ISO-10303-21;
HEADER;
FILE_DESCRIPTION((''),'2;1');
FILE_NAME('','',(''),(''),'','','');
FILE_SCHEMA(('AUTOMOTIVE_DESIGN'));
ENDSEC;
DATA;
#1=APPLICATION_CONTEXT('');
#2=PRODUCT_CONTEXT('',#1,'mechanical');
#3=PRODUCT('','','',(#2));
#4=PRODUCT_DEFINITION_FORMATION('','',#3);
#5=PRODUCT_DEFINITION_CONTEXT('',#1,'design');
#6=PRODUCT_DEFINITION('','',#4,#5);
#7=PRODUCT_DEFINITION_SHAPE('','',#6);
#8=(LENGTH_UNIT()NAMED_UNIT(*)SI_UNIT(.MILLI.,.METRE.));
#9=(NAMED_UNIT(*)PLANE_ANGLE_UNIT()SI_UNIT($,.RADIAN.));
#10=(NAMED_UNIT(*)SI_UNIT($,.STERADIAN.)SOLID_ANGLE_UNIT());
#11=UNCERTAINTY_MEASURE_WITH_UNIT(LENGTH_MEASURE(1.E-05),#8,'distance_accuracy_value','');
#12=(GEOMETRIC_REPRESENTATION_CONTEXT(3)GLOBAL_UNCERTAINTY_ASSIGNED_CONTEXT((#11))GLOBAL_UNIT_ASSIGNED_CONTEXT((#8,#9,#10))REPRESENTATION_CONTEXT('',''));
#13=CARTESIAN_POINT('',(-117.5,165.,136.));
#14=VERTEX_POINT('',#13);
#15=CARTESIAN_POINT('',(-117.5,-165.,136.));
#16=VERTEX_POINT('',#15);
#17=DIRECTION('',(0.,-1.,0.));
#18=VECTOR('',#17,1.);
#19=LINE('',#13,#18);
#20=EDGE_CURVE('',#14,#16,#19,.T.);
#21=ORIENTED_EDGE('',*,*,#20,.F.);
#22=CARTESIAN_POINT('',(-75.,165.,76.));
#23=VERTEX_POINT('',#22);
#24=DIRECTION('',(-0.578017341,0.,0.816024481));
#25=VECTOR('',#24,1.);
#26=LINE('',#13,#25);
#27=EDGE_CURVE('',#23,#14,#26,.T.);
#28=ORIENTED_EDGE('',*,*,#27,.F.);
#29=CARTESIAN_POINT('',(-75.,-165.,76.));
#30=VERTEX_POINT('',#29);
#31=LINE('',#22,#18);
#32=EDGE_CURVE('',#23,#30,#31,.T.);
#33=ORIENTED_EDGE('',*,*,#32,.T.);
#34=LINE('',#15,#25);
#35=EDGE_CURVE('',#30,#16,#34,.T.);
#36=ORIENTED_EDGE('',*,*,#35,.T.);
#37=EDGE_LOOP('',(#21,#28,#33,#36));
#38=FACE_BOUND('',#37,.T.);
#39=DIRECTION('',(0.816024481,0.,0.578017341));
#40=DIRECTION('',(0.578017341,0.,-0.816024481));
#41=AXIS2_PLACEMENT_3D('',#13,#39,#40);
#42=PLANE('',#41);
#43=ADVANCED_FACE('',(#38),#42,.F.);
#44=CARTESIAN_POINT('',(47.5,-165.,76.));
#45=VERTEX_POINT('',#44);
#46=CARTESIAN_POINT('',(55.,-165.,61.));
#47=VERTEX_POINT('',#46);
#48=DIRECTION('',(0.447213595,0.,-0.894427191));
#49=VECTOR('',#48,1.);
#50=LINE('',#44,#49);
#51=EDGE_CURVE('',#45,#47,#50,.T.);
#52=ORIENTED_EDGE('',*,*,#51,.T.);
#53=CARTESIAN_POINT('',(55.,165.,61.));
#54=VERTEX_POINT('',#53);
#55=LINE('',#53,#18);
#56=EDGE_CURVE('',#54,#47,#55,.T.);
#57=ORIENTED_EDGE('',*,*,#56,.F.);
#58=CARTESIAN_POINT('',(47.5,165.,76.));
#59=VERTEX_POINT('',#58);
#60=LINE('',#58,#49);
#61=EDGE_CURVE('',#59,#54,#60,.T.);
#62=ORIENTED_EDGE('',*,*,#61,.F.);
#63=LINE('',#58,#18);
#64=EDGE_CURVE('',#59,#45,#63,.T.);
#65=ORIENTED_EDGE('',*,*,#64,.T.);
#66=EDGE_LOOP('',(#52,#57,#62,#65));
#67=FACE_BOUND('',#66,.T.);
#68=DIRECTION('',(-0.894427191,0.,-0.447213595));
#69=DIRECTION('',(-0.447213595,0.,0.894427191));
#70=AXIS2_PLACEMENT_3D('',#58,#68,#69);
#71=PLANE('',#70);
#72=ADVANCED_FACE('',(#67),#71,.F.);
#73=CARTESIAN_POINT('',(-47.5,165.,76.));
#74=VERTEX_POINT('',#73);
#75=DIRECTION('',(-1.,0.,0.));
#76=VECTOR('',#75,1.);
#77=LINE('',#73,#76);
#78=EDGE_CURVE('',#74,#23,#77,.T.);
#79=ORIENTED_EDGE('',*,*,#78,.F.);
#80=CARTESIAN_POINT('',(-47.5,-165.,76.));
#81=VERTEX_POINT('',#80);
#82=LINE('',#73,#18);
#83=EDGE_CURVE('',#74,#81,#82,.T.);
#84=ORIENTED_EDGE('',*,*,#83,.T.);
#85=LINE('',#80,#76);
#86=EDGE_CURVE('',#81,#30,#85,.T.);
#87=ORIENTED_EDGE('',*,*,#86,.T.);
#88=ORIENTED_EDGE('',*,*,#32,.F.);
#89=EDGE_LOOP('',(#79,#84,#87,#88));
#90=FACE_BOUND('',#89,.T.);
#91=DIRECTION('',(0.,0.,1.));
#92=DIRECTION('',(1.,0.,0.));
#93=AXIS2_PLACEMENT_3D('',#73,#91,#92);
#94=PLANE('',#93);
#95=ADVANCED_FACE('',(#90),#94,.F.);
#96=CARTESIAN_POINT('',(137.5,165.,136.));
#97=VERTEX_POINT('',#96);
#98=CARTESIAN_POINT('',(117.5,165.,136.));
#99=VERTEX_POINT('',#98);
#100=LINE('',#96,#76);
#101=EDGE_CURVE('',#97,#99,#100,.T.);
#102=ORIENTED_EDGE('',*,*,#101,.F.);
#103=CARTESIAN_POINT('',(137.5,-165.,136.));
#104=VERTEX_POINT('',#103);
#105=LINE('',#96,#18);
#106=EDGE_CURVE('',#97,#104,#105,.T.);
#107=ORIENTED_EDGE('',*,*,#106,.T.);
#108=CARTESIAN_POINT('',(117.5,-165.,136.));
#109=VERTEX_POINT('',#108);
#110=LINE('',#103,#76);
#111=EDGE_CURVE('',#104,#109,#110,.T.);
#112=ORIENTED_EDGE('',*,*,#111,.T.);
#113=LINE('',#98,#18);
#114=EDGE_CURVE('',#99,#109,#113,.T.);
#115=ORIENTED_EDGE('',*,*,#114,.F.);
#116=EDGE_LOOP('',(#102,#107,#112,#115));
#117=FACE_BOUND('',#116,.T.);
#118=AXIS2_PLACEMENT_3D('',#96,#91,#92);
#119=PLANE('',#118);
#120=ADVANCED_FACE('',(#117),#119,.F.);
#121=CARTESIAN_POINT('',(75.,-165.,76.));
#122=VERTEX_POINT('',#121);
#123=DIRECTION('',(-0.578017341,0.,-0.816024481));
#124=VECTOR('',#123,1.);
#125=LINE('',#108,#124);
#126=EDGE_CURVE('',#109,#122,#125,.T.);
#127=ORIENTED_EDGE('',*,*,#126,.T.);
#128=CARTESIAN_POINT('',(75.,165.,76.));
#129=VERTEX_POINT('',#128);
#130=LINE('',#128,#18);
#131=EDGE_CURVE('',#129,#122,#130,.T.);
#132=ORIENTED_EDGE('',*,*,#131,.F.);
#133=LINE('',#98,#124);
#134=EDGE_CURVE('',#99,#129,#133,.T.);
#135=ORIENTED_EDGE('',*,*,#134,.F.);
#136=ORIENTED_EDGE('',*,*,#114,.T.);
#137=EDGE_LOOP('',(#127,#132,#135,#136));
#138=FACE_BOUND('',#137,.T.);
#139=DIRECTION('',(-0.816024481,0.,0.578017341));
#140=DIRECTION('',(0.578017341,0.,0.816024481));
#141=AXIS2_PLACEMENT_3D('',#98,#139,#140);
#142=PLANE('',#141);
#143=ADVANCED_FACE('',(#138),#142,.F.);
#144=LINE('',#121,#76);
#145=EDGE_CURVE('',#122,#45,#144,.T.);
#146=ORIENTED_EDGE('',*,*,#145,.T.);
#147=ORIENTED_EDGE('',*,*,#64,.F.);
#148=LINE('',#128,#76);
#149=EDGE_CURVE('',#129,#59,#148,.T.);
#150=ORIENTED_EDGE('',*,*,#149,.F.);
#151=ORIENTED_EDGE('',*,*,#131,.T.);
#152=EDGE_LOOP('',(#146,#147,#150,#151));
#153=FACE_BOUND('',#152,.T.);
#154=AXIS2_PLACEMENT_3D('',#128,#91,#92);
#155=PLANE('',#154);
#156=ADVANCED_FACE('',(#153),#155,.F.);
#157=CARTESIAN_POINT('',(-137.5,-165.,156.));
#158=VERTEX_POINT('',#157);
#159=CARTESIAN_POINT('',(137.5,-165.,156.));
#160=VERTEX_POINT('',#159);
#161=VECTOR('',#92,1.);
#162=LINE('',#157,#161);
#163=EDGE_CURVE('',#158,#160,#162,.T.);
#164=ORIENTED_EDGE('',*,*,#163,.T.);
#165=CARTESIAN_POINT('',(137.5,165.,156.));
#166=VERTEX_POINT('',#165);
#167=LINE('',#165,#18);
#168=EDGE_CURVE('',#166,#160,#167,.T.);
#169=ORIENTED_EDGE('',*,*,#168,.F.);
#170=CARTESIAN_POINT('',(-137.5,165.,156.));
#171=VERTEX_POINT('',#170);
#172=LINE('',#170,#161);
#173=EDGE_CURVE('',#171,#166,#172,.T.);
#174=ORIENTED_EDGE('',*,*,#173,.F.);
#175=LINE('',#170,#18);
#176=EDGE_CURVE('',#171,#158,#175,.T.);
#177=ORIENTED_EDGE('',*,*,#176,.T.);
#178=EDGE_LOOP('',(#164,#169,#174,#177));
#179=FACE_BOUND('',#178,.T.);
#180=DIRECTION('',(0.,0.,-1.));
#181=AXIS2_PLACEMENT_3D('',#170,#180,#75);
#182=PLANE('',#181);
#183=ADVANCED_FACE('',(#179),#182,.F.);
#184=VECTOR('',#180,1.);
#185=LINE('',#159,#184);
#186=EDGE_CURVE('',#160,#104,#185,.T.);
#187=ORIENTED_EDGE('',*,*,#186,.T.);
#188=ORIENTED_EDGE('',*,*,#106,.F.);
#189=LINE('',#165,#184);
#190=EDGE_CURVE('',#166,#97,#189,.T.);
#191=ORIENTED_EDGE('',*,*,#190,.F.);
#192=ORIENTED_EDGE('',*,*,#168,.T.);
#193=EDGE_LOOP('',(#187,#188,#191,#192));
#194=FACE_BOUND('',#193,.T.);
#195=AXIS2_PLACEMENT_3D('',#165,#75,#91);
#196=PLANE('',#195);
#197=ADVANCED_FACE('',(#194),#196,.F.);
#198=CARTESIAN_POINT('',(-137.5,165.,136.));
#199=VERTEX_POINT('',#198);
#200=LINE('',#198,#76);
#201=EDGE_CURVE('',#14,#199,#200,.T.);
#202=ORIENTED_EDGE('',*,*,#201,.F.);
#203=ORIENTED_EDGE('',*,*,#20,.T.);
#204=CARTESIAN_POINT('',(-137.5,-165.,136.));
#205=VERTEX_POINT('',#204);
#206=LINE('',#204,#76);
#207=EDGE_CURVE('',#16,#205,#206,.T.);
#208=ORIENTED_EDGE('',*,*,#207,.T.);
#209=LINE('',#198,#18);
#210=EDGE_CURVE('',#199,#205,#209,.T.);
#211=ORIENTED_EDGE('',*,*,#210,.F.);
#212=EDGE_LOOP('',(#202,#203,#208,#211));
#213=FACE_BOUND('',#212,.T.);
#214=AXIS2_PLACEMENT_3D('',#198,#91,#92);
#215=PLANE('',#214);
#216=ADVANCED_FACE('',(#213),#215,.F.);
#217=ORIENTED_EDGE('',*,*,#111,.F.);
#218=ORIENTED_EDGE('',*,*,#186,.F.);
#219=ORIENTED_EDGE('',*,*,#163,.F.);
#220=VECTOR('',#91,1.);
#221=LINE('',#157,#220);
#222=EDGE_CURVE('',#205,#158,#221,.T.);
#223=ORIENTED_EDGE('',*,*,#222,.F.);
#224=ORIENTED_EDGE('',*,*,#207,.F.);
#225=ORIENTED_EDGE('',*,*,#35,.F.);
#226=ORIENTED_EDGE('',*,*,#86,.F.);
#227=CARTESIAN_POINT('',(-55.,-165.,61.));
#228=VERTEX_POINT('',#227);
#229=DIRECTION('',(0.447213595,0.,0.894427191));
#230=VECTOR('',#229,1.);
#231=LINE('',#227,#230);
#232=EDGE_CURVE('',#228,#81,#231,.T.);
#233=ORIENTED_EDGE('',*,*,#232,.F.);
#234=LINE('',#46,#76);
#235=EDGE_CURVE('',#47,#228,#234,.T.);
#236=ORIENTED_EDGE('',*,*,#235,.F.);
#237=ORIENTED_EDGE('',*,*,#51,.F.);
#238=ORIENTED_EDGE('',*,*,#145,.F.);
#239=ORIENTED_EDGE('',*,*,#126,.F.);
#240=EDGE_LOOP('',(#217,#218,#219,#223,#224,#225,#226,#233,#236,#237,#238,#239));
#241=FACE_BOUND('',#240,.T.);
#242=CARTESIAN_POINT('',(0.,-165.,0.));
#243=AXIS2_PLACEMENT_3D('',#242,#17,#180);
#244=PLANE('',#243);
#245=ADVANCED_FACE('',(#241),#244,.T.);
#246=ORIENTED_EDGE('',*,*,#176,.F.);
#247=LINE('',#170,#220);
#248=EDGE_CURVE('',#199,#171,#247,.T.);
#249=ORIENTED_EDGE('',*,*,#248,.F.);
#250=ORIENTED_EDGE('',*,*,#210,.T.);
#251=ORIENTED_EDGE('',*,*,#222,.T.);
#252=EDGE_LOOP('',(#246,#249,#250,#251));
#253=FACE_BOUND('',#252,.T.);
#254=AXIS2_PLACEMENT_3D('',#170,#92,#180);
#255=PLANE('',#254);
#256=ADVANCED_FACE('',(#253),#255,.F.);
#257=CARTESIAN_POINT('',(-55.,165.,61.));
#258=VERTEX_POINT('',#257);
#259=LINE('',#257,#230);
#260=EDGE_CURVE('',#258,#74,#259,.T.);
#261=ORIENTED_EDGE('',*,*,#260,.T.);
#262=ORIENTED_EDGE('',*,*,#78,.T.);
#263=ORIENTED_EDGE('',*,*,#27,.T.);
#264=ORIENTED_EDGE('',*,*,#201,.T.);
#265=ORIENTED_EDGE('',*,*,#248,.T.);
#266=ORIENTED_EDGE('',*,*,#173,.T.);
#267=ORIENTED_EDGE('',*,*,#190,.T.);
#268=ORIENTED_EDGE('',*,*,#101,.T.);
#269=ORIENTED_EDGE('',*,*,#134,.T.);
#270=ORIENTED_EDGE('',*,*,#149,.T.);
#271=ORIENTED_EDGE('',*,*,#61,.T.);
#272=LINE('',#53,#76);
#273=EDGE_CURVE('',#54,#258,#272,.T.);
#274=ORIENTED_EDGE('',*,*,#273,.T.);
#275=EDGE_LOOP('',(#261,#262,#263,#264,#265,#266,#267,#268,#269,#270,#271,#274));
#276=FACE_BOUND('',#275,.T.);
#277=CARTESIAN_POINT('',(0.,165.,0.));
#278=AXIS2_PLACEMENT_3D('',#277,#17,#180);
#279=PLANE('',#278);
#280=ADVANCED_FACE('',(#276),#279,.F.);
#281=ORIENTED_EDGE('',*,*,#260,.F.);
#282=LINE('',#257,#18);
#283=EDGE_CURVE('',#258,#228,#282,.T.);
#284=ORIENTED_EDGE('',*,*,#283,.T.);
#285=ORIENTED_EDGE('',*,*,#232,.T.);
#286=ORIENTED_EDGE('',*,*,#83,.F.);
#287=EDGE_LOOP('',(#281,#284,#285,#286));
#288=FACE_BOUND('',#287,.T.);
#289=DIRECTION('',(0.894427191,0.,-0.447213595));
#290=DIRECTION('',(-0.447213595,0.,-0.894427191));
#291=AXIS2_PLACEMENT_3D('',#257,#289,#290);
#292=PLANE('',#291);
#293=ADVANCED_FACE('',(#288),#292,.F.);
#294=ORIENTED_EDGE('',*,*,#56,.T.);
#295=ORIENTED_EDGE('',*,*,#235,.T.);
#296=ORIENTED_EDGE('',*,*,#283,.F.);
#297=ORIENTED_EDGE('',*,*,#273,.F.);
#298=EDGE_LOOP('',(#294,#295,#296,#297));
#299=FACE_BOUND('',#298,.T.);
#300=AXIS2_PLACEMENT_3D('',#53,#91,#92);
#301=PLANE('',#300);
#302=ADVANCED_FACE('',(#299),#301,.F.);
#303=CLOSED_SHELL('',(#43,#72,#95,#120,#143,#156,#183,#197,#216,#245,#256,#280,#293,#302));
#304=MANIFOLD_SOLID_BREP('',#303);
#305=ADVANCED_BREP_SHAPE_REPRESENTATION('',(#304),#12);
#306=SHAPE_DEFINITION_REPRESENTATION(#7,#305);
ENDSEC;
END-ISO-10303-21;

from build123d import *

# Parameters (mm, degrees)
BOSS_EXTRUDE1_DEPTH = 165


with BuildPart() as part:
    # Sketch1 → Boss-Extrude1 (new body, symmetric)
    with BuildSketch(Plane(origin=(0, 0, 0), x_dir=(1, 0, 0), z_dir=(0, 1, 0))):
        Polygon((-137.5, -156), (137.5, -156), (137.5, -136), (117.5, -136), (75, -76), (47.5, -76), (55, -61), (-55, -61), (-47.5, -76), (-75, -76), (-117.5, -136), (-137.5, -136), align=None)
    extrude(amount=BOSS_EXTRUDE1_DEPTH, both=True)


solid = part.part
